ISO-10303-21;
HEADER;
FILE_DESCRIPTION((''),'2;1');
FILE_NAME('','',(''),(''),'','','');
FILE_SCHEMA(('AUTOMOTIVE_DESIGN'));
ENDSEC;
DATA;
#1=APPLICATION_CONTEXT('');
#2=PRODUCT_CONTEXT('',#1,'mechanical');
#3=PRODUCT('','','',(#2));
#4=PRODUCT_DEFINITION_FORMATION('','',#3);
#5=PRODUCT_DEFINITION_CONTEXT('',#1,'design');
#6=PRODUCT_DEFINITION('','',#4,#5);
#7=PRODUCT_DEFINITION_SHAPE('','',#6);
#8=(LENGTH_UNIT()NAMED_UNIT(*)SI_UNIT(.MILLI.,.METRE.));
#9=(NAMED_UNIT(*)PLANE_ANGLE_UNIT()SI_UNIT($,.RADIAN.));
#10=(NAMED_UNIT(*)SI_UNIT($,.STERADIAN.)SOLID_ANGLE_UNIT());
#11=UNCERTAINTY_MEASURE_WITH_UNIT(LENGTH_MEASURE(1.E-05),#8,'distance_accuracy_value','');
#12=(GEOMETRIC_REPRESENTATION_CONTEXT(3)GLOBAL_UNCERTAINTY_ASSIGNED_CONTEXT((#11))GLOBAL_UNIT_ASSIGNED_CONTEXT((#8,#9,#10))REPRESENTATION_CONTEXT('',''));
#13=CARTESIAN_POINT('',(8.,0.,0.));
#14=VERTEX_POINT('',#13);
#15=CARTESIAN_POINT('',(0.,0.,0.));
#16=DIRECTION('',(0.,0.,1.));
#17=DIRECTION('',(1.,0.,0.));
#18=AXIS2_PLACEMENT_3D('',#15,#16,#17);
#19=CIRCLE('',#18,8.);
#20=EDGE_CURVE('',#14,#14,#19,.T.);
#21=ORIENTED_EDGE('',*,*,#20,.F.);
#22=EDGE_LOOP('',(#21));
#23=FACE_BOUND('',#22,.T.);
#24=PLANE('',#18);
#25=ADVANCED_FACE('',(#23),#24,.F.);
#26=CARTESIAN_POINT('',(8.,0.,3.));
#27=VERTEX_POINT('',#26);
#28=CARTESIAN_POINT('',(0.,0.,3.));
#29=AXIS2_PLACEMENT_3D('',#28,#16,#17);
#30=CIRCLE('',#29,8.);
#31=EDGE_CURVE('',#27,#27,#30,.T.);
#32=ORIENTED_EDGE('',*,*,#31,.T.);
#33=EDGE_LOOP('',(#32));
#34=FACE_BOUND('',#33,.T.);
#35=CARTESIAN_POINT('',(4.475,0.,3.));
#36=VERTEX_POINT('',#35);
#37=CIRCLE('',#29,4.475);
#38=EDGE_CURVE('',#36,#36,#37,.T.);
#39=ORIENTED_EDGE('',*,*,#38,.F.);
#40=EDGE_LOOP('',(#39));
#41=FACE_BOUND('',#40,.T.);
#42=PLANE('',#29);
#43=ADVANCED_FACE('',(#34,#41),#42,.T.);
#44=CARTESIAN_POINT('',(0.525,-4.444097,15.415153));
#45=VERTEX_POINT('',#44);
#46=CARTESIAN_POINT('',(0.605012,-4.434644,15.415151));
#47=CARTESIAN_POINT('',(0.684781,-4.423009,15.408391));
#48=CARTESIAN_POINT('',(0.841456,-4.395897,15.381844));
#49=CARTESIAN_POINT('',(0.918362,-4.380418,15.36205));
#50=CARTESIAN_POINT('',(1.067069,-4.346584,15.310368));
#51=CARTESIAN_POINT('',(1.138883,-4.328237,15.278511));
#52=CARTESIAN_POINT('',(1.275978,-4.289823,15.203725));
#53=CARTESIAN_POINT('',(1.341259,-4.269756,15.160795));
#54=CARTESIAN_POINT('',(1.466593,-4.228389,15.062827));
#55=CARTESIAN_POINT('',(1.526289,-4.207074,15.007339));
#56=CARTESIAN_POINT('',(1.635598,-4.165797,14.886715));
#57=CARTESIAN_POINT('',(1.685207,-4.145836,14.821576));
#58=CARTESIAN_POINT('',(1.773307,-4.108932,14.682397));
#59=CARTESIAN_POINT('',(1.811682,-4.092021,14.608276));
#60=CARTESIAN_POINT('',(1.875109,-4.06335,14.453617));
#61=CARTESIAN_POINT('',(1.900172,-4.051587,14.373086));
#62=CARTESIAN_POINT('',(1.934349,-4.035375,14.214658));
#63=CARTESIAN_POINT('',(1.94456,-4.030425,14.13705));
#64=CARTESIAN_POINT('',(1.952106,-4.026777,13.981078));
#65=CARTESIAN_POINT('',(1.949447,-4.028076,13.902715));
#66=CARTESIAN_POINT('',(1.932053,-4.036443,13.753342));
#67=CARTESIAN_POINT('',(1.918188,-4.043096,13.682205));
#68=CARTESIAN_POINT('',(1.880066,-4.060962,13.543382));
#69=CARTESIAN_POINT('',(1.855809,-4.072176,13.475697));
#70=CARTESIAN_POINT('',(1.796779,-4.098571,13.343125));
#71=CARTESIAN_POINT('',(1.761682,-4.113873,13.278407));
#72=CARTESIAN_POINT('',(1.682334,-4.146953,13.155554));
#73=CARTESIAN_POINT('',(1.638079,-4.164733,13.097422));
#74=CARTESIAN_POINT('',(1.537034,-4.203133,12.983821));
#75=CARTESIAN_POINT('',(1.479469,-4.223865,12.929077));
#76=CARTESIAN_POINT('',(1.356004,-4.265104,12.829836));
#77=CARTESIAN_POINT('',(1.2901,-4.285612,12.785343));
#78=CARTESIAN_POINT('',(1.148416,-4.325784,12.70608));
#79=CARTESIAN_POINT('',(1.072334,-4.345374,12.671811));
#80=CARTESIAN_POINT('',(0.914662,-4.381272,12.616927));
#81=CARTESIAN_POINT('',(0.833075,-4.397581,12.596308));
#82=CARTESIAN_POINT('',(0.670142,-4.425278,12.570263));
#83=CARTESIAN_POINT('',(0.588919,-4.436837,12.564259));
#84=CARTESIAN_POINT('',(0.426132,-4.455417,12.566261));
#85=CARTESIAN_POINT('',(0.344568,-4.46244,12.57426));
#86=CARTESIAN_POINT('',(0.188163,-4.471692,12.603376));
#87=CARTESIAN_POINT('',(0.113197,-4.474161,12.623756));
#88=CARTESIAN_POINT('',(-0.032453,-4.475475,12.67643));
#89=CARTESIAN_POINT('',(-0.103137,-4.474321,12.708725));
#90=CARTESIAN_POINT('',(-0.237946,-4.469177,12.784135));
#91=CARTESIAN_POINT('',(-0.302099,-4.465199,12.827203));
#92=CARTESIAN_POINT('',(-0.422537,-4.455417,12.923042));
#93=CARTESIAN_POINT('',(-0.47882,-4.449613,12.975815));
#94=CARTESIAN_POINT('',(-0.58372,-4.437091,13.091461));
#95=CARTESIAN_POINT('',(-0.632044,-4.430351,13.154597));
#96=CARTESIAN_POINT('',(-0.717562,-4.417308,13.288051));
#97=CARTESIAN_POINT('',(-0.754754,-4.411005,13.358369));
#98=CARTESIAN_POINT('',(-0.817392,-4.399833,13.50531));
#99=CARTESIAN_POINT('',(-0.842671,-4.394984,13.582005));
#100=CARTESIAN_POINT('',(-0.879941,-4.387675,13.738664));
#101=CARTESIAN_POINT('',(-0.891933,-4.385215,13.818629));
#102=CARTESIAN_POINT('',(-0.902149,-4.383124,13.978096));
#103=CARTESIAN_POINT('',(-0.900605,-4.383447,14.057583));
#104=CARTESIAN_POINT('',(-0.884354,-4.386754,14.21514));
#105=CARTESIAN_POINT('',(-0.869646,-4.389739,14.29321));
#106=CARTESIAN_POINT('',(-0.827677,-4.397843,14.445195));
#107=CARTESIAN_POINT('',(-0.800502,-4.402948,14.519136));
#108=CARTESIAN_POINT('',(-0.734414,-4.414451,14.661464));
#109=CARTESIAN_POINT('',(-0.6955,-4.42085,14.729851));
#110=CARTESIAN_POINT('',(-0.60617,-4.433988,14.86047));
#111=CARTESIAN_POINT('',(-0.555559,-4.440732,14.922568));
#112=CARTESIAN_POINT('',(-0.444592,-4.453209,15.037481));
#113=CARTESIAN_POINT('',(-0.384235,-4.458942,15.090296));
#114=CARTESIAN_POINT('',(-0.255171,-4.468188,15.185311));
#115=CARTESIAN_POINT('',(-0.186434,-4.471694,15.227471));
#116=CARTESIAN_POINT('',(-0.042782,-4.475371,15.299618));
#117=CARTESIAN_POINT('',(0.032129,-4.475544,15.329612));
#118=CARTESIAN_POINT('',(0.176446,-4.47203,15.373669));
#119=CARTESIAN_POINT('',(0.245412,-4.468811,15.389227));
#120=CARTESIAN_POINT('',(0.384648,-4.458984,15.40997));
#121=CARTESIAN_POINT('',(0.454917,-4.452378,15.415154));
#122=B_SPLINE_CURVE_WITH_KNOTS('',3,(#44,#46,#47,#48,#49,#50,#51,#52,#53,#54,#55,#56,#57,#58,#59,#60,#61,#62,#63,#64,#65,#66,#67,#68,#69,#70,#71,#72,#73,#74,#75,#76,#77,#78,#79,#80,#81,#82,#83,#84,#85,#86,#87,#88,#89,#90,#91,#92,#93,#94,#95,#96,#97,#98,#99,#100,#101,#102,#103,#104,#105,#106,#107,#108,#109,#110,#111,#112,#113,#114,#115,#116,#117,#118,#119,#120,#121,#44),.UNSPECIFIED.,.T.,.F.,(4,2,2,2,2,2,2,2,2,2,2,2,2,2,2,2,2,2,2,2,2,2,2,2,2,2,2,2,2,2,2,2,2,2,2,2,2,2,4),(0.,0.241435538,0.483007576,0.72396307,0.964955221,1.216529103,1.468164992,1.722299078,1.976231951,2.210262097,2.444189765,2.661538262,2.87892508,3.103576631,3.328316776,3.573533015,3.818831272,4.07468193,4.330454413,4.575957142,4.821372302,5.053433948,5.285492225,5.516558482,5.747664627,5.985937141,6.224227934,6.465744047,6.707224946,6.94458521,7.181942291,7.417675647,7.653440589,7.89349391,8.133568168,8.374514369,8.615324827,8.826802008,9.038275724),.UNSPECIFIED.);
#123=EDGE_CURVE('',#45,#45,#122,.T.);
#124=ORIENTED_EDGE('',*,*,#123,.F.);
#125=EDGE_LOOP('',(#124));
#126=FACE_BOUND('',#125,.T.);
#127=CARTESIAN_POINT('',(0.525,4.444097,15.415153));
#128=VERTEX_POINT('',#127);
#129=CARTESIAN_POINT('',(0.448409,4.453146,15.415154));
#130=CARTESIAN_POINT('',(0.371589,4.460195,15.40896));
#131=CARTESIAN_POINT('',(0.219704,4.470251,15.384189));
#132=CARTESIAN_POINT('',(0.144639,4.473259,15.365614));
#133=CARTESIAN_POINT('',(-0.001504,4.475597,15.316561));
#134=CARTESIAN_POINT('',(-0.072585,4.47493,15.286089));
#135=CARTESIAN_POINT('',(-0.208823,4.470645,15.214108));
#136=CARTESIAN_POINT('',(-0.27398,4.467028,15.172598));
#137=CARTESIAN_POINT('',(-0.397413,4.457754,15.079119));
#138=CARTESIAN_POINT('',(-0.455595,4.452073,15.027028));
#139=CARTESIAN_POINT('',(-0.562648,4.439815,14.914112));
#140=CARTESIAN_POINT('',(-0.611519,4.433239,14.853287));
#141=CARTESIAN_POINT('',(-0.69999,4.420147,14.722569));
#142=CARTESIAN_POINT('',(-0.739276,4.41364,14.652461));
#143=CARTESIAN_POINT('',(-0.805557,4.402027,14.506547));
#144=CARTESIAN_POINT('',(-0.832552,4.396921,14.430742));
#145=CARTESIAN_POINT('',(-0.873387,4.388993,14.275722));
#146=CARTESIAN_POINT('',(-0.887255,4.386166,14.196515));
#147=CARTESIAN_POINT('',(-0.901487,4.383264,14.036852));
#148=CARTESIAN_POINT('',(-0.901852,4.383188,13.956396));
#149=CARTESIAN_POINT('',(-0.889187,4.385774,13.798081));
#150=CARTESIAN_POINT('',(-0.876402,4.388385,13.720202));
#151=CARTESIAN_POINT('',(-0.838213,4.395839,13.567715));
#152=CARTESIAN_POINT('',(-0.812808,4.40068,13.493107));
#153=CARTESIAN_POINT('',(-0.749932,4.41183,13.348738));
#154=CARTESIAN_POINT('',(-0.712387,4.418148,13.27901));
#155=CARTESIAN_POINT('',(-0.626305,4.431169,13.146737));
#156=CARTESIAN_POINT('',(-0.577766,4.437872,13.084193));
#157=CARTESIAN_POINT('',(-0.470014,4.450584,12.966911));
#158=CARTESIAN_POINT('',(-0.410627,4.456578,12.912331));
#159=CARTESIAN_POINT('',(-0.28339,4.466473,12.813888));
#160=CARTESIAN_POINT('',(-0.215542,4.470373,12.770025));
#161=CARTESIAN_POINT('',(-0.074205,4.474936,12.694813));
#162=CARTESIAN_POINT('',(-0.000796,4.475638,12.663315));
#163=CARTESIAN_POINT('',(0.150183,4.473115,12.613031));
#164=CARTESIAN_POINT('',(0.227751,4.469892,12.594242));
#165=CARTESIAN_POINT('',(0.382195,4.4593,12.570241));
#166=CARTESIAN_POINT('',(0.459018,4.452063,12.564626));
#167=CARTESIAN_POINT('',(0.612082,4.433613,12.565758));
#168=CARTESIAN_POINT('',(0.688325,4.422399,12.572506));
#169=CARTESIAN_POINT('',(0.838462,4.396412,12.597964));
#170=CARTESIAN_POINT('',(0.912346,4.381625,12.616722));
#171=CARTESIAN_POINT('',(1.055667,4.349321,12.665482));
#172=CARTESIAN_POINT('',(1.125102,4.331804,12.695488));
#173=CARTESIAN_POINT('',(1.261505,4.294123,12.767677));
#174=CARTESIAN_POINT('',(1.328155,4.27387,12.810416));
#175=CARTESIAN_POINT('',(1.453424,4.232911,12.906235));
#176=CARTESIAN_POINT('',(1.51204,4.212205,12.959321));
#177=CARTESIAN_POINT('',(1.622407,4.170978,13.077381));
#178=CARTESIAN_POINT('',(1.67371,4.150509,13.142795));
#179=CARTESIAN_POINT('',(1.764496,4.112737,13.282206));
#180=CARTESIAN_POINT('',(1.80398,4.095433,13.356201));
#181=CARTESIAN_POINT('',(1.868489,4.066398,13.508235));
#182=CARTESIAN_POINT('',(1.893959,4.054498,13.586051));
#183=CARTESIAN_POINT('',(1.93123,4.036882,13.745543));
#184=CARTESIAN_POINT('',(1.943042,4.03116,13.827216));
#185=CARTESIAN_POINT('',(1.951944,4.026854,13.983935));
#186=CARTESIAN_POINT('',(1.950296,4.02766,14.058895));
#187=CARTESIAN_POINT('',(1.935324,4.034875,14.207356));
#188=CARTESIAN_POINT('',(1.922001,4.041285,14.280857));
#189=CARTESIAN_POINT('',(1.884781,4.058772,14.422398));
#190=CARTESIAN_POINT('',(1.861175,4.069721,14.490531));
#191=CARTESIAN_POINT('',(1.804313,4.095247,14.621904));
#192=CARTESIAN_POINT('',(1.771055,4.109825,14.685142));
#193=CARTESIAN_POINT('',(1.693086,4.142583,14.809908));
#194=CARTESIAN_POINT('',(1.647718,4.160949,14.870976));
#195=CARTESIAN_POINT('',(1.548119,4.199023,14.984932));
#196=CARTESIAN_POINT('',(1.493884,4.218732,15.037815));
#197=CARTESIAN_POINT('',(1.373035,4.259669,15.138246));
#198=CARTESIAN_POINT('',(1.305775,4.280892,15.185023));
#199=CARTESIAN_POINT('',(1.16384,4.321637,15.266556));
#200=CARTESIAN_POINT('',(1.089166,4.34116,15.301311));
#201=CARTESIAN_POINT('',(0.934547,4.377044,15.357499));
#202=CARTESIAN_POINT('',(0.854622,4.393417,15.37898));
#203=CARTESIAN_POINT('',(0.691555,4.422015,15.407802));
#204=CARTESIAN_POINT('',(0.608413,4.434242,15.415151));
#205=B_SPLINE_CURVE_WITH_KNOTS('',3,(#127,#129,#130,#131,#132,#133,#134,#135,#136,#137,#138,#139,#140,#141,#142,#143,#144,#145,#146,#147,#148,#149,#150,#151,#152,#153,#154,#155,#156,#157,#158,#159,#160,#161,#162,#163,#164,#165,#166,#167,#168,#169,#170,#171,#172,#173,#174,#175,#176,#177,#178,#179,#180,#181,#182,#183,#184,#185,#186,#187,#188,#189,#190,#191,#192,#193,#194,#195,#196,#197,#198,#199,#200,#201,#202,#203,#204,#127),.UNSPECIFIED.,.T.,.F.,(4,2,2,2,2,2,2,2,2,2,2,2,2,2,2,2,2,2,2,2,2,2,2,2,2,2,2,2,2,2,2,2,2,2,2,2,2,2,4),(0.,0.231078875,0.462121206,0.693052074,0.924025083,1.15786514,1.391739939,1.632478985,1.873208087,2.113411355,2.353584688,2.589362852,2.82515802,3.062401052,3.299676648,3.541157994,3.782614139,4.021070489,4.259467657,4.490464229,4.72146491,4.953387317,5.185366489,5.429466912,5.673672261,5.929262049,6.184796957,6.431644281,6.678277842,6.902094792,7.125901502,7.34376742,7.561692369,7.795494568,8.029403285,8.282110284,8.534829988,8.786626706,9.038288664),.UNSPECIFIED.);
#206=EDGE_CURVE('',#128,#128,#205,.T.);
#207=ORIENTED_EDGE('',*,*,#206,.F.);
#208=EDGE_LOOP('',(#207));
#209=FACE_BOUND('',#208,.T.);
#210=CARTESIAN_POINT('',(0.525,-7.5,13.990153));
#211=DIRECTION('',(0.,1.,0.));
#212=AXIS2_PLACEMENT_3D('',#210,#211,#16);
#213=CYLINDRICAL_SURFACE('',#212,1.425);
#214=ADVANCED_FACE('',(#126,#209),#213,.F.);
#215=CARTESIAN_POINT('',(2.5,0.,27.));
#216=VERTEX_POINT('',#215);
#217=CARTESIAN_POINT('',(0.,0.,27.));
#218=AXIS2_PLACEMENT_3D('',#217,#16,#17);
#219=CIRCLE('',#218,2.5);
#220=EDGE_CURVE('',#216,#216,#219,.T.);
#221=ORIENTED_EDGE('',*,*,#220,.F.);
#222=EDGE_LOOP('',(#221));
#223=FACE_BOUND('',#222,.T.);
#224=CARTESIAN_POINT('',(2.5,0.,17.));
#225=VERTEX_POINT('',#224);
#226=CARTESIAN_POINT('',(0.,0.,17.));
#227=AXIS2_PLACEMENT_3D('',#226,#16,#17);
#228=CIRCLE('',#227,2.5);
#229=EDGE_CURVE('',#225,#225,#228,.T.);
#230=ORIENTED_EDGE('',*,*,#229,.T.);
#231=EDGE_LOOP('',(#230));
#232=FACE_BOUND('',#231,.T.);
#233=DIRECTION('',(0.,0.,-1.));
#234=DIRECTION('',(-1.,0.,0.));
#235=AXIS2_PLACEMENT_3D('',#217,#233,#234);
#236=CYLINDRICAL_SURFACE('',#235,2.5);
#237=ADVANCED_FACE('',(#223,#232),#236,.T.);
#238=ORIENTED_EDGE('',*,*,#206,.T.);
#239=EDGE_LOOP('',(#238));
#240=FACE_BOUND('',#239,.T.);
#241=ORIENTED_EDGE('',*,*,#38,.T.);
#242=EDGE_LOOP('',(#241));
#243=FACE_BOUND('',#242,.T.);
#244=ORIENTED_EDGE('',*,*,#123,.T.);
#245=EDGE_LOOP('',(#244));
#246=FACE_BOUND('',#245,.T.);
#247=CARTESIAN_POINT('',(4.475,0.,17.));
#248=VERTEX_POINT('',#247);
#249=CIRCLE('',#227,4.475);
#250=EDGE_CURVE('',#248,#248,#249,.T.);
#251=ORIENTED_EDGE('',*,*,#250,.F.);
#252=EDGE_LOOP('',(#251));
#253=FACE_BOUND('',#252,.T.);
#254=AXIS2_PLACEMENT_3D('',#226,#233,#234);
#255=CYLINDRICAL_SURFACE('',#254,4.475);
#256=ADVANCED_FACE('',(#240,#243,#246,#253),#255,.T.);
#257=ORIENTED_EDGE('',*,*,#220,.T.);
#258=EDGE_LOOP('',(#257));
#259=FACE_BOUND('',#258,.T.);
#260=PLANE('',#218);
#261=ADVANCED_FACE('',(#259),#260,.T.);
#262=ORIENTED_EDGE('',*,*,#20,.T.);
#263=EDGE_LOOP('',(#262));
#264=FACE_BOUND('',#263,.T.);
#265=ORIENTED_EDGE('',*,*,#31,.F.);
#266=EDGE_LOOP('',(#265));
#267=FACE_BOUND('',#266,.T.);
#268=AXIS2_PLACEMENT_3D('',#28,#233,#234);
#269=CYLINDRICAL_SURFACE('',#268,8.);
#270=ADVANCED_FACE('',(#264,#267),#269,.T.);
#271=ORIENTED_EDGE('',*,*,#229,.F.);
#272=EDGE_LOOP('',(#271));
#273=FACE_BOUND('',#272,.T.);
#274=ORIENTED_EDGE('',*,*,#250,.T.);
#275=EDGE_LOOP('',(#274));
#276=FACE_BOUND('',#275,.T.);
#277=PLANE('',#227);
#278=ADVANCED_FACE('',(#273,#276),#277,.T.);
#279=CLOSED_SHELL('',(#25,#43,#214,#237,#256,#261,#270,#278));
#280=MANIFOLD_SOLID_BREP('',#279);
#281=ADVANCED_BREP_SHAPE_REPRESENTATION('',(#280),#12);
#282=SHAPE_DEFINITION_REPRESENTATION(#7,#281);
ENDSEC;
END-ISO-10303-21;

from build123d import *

# Parameters (mm, degrees)
SKETCH1_R           = 8
BOSS_EXTRUDE1_DEPTH = 3
SKETCH2_R           = 4.475
BOSS_EXTRUDE2_DEPTH = 14
SKETCH3_R           = 2.5
BOSS_EXTRUDE3_DEPTH = 10
SKETCH4_R           = 1.425
CUT_EXTRUDE1_DEPTH  = 7.5


with BuildPart() as part:
    # Sketch1 → Boss-Extrude1 (new body)
    with BuildSketch(Plane.XY):
        Circle(SKETCH1_R)
    extrude(amount=BOSS_EXTRUDE1_DEPTH)

    # Sketch2 → Boss-Extrude2 (add)
    with BuildSketch(Plane.XY.offset(3)):
        Circle(SKETCH2_R)
    extrude(amount=BOSS_EXTRUDE2_DEPTH)

    # Sketch3 → Boss-Extrude3 (add)
    with BuildSketch(Plane.XY.offset(17)):
        Circle(SKETCH3_R)
    extrude(amount=BOSS_EXTRUDE3_DEPTH)

    # Sketch4 → Cut-Extrude1 (cut, symmetric)
    with BuildSketch(Plane(origin=(0, 0, 0), x_dir=(1, 0, 0), z_dir=(0, 1, 0))):
        with Locations((0.525, -13.990152787)):
            Circle(SKETCH4_R)
    extrude(amount=CUT_EXTRUDE1_DEPTH, both=True, mode=Mode.SUBTRACT)


solid = part.part
